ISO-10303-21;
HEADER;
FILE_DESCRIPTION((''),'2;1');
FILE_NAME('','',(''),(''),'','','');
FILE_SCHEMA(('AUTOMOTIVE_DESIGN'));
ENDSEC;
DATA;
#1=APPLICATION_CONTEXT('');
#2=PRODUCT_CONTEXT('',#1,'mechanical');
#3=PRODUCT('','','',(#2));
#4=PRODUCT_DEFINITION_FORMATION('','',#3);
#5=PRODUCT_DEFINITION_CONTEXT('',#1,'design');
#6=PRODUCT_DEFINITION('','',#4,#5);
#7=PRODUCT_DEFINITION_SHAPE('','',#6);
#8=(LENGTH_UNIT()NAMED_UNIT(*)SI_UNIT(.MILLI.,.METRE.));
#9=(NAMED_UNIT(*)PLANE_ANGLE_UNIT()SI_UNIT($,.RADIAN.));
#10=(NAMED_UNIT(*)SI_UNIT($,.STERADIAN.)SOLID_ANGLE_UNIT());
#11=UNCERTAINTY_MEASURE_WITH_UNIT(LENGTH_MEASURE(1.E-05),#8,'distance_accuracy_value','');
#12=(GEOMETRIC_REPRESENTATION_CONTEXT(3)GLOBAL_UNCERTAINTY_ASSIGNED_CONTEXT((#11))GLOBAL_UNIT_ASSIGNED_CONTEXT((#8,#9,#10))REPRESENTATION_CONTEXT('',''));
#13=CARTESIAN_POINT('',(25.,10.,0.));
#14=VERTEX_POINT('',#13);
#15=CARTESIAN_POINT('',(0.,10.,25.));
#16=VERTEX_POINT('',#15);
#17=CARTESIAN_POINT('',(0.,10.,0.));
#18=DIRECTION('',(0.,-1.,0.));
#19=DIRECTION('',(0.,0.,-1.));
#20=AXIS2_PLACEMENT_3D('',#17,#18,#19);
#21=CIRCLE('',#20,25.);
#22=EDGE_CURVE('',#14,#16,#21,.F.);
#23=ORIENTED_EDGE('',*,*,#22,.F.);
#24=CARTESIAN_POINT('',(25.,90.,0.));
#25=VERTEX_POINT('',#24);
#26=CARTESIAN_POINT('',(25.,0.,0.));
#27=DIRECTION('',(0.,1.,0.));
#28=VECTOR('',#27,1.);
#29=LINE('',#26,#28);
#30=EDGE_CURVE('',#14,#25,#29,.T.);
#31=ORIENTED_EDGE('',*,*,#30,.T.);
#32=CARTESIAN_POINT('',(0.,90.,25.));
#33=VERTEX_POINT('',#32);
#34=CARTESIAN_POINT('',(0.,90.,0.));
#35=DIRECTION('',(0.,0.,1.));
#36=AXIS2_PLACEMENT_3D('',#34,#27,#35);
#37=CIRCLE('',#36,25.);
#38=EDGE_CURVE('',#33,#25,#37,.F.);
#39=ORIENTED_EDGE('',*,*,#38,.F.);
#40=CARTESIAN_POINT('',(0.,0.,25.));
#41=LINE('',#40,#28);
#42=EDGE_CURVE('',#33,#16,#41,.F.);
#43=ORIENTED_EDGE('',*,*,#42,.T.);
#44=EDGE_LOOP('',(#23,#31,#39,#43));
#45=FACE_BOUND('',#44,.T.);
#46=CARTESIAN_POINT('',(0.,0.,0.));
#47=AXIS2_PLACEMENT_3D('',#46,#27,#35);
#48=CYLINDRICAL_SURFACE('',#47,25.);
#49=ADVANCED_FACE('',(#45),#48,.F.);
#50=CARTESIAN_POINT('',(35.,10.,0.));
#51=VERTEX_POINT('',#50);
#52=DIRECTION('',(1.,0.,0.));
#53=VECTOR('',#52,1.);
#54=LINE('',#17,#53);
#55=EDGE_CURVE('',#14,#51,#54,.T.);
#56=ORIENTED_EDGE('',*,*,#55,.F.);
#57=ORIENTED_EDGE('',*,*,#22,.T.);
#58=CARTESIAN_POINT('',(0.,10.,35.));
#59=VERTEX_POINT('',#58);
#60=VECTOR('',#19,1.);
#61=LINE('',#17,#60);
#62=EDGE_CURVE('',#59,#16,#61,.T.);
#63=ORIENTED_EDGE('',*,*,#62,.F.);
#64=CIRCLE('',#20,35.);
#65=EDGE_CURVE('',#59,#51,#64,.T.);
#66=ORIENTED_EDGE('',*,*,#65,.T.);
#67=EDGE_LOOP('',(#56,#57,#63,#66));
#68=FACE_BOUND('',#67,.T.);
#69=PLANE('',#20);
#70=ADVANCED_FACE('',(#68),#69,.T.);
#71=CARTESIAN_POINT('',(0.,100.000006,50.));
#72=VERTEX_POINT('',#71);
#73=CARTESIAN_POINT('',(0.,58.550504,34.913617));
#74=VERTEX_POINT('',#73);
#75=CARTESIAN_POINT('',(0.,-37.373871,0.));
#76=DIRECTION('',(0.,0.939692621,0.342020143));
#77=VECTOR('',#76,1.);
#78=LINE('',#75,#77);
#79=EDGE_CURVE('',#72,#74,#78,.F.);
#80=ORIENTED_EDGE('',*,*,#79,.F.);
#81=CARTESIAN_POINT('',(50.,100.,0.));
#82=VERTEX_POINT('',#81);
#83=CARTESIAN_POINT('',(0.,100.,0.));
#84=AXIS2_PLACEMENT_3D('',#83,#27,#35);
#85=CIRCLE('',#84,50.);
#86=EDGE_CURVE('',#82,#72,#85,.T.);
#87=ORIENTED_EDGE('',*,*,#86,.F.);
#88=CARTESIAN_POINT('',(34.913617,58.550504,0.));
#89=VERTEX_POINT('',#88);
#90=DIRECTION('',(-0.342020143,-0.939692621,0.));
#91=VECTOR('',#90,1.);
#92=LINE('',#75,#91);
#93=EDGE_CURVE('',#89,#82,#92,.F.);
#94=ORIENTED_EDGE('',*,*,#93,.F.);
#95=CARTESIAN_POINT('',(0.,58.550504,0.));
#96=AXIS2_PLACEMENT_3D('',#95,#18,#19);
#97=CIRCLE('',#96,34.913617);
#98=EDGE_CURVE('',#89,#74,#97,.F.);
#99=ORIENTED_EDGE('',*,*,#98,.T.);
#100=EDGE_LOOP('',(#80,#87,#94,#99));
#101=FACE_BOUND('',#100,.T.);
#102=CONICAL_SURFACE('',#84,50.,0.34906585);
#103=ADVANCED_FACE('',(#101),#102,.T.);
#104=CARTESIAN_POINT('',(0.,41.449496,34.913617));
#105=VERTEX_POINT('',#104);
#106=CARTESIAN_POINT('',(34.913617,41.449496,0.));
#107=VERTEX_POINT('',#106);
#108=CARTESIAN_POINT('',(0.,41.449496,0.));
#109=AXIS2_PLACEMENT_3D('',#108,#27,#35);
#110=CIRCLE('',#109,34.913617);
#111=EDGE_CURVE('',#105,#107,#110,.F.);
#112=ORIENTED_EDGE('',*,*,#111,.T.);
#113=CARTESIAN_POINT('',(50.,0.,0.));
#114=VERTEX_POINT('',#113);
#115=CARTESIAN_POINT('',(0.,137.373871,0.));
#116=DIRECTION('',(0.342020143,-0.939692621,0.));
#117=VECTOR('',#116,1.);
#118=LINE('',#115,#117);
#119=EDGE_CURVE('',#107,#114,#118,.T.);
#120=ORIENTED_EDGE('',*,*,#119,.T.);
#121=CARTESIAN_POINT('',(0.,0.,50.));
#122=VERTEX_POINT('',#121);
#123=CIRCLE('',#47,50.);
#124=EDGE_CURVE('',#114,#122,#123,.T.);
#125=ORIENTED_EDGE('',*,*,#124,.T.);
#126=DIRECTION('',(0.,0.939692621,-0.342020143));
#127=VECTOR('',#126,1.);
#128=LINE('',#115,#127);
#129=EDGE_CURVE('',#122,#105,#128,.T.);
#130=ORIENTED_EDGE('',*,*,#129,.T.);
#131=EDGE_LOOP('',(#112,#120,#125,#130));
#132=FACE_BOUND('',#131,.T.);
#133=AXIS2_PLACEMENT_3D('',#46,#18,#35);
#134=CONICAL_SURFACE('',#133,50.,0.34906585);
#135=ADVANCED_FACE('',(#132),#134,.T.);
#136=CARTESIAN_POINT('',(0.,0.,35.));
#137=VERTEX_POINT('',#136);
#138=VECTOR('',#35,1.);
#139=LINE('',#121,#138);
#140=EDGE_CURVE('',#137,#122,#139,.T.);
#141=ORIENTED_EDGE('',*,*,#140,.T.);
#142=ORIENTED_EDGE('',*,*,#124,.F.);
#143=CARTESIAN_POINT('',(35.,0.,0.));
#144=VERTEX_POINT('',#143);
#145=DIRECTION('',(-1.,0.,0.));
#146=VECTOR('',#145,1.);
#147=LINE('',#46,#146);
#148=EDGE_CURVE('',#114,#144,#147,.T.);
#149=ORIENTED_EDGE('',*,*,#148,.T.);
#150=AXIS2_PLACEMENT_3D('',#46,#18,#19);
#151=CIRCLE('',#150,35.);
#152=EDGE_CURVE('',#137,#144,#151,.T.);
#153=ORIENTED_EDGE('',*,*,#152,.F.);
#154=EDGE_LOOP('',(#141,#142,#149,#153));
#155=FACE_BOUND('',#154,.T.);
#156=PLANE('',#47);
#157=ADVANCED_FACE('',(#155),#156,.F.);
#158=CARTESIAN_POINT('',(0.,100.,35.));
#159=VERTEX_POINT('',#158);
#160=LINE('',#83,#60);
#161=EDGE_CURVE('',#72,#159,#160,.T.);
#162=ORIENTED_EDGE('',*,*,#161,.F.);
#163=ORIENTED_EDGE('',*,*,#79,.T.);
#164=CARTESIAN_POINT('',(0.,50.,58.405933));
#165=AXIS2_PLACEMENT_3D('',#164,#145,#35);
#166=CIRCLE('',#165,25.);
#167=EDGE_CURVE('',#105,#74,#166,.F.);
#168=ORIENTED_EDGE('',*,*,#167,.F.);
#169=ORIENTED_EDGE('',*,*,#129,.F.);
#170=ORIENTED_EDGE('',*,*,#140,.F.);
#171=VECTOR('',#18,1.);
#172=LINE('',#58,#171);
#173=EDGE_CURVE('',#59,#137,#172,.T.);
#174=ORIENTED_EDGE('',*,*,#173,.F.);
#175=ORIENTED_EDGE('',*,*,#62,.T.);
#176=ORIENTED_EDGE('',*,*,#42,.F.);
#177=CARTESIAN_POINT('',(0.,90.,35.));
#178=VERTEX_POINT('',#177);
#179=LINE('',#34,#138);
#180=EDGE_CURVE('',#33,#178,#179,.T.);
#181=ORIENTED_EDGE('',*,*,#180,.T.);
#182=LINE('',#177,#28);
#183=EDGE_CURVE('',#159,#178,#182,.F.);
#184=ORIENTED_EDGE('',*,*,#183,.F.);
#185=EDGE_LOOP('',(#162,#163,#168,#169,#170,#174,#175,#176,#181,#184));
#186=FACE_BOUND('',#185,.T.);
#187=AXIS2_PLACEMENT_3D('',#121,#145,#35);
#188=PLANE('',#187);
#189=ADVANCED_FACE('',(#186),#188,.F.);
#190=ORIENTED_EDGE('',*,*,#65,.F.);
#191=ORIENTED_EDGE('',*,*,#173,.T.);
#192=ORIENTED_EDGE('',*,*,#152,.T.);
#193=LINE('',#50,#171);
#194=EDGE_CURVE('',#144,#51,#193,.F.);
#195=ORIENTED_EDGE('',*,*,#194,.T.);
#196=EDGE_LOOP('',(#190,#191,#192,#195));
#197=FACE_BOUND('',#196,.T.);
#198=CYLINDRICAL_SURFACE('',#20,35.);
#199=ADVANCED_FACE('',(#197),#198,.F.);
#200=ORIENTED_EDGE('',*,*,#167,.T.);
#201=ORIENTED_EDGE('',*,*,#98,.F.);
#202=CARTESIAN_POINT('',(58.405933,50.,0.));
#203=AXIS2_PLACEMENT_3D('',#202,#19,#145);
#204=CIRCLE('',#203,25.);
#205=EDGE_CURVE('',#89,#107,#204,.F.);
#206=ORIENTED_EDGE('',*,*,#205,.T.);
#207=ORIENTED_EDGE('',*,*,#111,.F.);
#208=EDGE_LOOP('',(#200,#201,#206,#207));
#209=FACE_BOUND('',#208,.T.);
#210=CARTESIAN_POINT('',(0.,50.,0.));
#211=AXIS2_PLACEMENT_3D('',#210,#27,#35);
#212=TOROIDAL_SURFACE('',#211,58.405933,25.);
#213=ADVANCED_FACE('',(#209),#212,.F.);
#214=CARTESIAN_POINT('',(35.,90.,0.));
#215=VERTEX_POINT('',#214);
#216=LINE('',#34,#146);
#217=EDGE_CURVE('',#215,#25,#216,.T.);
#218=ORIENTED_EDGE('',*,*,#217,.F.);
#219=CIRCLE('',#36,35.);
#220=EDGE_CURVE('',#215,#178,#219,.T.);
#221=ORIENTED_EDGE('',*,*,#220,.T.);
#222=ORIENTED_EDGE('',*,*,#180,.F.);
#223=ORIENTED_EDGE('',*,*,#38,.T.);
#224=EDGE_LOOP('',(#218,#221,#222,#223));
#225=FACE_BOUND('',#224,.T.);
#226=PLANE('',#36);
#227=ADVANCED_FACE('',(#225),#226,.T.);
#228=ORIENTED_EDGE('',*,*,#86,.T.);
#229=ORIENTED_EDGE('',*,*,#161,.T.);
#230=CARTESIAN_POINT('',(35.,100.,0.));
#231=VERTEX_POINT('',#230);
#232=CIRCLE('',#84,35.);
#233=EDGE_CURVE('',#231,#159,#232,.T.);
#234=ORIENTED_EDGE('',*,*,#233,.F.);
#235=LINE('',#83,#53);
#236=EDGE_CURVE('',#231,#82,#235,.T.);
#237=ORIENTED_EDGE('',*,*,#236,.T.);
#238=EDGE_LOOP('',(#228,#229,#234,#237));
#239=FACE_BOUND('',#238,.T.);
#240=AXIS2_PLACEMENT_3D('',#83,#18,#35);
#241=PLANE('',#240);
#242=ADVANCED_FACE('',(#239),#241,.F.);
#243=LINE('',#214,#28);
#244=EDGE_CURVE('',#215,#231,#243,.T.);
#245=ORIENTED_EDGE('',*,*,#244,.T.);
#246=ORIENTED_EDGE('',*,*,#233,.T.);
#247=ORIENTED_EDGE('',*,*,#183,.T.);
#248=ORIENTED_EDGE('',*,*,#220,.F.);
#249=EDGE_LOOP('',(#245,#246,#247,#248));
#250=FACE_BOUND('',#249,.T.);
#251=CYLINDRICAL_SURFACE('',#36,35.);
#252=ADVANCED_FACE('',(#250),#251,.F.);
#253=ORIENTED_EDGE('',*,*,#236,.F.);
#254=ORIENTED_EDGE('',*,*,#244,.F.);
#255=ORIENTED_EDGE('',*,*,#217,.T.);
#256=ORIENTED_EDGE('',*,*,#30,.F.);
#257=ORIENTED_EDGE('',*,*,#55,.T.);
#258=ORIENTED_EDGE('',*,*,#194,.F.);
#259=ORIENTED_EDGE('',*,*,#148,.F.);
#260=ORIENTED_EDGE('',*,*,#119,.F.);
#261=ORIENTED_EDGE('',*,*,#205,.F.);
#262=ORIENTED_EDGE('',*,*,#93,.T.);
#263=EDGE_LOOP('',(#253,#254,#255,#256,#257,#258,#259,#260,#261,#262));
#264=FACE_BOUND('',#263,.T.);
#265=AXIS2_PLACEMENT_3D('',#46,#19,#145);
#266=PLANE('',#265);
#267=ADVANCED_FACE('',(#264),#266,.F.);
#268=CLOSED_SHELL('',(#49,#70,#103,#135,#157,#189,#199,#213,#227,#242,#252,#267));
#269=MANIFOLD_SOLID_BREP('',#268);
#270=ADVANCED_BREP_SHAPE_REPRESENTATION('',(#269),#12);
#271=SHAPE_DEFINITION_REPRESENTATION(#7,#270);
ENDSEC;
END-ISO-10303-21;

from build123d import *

# Parameters (mm, degrees)
SKETCH1_R               = 50
BOSS_EXTRUDE1_DEPTH     = 50
BOSS_EXTRUDE1_TAPER     = 20
CUT_EXTRUDE1_DEPTH      = 123.474487302
CUT_EXTRUDE1_DEPTH_BACK = 123.474487302
SKETCH2_R               = 25
SKETCH3_R               = 35
CUT_EXTRUDE2_DEPTH      = 10
CUT_EXTRUDE5_START      = -10
SKETCH5_R               = 35
CUT_EXTRUDE5_DEPTH      = 10
FILLET1_R               = 25
CUT_EXTRUDE6_DEPTH      = 123.474487302
CUT_EXTRUDE6_DEPTH_BACK = 123.474487302


with BuildPart() as part:
    # Sketch1 → Boss-Extrude1 (new body)
    with BuildSketch(Plane(origin=(0, 0, 0), x_dir=(1, 0, 0), z_dir=(0, 1, 0))):
        Circle(SKETCH1_R)
    boss_extrude1 = extrude(amount=BOSS_EXTRUDE1_DEPTH, taper=BOSS_EXTRUDE1_TAPER)

    # Mirror2: Boss-Extrude1 across plane
    add(boss_extrude1.mirror(Plane.ZX.offset(50)))

    # Sketch2 → Cut-Extrude1 (cut, two sides: drawn at the far end of the back side and taken through both)
    with BuildSketch(Plane(origin=(0, 100, 0), x_dir=(1, 0, 0), z_dir=(0, 1, 0)).offset(-CUT_EXTRUDE1_DEPTH_BACK)):
        with Locations(Location((0, 0, 0), (0, 0, 270))):
            Circle(SKETCH2_R)
    extrude(amount=CUT_EXTRUDE1_DEPTH + CUT_EXTRUDE1_DEPTH_BACK, mode=Mode.SUBTRACT)

    # Sketch3 → Cut-Extrude2 (cut)
    with BuildSketch(Plane(origin=(0, 100, 0), x_dir=(1, 0, 0), z_dir=(0, 1, 0))):
        with Locations(Location((0, 0, 0), (0, 0, 270))):
            Circle(SKETCH3_R)
    extrude(amount=-CUT_EXTRUDE2_DEPTH, mode=Mode.SUBTRACT)

    # Sketch5 → Cut-Extrude5 (cut)
    with BuildSketch(Plane.XZ.offset(CUT_EXTRUDE5_START)):
        with Locations(Location((0, 0, 0), (0, 0, 90))):
            Circle(SKETCH5_R)
    extrude(amount=CUT_EXTRUDE5_DEPTH, mode=Mode.SUBTRACT)

    # Fillet1
    fillet1_edges = [part.edges().sort_by_distance(p)[0] for p in [
        (-31.801488287, 50, 0),
    ]]
    fillet(fillet1_edges, radius=FILLET1_R)

    # Sketch7 → Cut-Extrude6 (cut, two sides: drawn at the far end of the back side and taken through both)
    with BuildSketch(Plane(origin=(0, 100, 0), x_dir=(1, 0, 0), z_dir=(0, 1, 0)).offset(-CUT_EXTRUDE6_DEPTH_BACK)):
        with BuildLine():
            Line((0, -50), (0, 0))
            Line((0, 0), (50, 0))
            ThreePointArc((50, 0), (35.355339059, -35.355339059), (0, -50))
        make_face()
    extrude(amount=CUT_EXTRUDE6_DEPTH + CUT_EXTRUDE6_DEPTH_BACK, mode=Mode.SUBTRACT)


solid = part.part
